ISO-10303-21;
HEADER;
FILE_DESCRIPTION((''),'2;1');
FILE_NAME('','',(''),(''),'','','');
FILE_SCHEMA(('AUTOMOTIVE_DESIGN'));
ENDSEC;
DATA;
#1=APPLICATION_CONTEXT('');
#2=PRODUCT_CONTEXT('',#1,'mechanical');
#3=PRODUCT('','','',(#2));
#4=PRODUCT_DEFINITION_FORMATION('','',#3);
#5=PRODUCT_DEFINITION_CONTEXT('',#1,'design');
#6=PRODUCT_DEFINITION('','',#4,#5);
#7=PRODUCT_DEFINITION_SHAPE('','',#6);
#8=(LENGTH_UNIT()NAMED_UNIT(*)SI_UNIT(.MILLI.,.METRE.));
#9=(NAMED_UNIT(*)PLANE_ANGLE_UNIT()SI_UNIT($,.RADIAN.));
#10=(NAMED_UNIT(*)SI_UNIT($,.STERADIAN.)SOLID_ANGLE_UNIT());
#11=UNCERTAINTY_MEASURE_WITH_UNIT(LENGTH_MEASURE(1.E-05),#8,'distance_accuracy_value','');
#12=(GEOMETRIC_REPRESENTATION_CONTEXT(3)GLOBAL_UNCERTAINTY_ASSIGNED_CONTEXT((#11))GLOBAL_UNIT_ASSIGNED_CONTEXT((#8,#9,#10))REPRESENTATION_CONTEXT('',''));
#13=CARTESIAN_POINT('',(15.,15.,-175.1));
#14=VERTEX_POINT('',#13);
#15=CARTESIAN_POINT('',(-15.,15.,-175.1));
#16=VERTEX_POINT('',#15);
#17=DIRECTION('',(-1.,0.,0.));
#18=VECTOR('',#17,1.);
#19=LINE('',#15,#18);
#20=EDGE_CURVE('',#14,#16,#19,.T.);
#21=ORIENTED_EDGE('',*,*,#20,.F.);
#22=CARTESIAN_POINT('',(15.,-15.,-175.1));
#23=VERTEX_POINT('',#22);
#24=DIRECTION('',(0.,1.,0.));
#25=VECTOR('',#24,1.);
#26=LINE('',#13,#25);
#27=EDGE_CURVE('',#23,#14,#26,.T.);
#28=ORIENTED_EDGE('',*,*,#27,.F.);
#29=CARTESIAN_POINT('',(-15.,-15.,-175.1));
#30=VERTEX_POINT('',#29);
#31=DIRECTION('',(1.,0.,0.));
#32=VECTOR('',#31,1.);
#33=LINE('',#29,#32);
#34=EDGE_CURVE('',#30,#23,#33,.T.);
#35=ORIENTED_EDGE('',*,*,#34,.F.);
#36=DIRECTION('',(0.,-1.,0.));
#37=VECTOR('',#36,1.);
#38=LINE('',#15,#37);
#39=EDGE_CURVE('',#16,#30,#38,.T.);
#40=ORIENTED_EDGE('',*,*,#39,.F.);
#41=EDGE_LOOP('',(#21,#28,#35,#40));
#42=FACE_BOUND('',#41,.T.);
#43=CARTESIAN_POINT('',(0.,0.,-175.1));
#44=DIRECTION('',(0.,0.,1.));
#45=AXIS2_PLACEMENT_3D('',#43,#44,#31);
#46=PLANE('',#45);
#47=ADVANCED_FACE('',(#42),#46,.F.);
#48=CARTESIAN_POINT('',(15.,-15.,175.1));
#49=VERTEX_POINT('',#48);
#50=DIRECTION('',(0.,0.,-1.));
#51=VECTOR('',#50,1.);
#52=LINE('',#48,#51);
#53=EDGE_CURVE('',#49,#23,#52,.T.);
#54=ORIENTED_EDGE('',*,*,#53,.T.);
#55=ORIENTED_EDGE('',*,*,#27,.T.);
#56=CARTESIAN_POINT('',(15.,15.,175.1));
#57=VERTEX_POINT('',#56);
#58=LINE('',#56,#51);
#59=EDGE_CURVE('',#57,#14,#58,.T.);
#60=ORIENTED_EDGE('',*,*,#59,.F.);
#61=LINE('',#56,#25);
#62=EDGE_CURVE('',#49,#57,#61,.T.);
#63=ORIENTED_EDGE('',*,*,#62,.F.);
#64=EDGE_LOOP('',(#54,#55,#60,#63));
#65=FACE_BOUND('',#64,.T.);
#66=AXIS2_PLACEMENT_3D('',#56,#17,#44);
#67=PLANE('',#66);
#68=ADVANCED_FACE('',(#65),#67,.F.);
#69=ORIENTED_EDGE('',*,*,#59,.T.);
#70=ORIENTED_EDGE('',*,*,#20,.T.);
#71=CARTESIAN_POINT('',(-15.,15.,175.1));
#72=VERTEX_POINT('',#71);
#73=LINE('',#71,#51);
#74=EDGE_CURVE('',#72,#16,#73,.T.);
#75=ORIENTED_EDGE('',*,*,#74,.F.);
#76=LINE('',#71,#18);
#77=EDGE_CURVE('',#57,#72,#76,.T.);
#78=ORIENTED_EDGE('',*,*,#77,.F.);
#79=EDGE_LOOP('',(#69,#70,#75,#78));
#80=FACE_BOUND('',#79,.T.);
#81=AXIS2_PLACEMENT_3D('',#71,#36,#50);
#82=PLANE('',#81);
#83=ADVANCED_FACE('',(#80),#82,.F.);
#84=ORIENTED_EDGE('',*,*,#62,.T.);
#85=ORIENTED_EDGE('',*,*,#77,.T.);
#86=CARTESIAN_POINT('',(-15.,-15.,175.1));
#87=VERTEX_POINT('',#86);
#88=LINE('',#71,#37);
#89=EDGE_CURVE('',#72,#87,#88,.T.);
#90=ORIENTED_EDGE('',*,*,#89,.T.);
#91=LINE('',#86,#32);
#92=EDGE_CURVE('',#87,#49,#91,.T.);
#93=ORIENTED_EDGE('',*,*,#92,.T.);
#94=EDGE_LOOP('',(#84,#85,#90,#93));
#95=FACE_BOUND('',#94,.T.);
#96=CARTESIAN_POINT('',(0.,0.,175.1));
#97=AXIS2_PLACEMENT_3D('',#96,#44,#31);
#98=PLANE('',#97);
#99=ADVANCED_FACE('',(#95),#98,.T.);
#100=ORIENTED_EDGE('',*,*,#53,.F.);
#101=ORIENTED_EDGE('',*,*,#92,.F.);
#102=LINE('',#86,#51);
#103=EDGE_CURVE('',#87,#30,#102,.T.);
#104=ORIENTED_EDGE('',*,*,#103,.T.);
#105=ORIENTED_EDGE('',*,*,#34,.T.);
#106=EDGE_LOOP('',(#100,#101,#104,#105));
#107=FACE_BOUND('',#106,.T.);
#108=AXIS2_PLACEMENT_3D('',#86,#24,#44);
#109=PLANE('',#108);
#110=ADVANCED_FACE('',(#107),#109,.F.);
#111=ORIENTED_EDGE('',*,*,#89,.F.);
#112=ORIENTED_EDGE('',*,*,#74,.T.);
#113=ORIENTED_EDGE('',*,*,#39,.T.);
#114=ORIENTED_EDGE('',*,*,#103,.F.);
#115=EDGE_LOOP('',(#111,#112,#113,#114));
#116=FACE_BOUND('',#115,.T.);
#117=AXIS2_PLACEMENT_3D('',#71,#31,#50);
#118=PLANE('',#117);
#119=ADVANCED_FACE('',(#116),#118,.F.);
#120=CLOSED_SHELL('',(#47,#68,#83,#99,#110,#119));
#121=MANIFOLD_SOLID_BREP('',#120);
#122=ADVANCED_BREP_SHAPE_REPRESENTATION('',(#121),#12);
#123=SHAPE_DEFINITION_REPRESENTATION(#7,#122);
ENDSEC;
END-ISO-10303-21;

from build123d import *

# Parameters (mm, degrees)
SKETCH_1_W      = 30
SKETCH_1_H      = 30
EXTRUDE_1_DEPTH = 175.1


with BuildPart() as part:
    # 草图1 → 凸台-拉伸1 (new, symmetric)
    with BuildSketch(Plane.XY):
        Rectangle(SKETCH_1_W, SKETCH_1_H)
    extrude(amount=EXTRUDE_1_DEPTH, both=True)


solid = part.part
